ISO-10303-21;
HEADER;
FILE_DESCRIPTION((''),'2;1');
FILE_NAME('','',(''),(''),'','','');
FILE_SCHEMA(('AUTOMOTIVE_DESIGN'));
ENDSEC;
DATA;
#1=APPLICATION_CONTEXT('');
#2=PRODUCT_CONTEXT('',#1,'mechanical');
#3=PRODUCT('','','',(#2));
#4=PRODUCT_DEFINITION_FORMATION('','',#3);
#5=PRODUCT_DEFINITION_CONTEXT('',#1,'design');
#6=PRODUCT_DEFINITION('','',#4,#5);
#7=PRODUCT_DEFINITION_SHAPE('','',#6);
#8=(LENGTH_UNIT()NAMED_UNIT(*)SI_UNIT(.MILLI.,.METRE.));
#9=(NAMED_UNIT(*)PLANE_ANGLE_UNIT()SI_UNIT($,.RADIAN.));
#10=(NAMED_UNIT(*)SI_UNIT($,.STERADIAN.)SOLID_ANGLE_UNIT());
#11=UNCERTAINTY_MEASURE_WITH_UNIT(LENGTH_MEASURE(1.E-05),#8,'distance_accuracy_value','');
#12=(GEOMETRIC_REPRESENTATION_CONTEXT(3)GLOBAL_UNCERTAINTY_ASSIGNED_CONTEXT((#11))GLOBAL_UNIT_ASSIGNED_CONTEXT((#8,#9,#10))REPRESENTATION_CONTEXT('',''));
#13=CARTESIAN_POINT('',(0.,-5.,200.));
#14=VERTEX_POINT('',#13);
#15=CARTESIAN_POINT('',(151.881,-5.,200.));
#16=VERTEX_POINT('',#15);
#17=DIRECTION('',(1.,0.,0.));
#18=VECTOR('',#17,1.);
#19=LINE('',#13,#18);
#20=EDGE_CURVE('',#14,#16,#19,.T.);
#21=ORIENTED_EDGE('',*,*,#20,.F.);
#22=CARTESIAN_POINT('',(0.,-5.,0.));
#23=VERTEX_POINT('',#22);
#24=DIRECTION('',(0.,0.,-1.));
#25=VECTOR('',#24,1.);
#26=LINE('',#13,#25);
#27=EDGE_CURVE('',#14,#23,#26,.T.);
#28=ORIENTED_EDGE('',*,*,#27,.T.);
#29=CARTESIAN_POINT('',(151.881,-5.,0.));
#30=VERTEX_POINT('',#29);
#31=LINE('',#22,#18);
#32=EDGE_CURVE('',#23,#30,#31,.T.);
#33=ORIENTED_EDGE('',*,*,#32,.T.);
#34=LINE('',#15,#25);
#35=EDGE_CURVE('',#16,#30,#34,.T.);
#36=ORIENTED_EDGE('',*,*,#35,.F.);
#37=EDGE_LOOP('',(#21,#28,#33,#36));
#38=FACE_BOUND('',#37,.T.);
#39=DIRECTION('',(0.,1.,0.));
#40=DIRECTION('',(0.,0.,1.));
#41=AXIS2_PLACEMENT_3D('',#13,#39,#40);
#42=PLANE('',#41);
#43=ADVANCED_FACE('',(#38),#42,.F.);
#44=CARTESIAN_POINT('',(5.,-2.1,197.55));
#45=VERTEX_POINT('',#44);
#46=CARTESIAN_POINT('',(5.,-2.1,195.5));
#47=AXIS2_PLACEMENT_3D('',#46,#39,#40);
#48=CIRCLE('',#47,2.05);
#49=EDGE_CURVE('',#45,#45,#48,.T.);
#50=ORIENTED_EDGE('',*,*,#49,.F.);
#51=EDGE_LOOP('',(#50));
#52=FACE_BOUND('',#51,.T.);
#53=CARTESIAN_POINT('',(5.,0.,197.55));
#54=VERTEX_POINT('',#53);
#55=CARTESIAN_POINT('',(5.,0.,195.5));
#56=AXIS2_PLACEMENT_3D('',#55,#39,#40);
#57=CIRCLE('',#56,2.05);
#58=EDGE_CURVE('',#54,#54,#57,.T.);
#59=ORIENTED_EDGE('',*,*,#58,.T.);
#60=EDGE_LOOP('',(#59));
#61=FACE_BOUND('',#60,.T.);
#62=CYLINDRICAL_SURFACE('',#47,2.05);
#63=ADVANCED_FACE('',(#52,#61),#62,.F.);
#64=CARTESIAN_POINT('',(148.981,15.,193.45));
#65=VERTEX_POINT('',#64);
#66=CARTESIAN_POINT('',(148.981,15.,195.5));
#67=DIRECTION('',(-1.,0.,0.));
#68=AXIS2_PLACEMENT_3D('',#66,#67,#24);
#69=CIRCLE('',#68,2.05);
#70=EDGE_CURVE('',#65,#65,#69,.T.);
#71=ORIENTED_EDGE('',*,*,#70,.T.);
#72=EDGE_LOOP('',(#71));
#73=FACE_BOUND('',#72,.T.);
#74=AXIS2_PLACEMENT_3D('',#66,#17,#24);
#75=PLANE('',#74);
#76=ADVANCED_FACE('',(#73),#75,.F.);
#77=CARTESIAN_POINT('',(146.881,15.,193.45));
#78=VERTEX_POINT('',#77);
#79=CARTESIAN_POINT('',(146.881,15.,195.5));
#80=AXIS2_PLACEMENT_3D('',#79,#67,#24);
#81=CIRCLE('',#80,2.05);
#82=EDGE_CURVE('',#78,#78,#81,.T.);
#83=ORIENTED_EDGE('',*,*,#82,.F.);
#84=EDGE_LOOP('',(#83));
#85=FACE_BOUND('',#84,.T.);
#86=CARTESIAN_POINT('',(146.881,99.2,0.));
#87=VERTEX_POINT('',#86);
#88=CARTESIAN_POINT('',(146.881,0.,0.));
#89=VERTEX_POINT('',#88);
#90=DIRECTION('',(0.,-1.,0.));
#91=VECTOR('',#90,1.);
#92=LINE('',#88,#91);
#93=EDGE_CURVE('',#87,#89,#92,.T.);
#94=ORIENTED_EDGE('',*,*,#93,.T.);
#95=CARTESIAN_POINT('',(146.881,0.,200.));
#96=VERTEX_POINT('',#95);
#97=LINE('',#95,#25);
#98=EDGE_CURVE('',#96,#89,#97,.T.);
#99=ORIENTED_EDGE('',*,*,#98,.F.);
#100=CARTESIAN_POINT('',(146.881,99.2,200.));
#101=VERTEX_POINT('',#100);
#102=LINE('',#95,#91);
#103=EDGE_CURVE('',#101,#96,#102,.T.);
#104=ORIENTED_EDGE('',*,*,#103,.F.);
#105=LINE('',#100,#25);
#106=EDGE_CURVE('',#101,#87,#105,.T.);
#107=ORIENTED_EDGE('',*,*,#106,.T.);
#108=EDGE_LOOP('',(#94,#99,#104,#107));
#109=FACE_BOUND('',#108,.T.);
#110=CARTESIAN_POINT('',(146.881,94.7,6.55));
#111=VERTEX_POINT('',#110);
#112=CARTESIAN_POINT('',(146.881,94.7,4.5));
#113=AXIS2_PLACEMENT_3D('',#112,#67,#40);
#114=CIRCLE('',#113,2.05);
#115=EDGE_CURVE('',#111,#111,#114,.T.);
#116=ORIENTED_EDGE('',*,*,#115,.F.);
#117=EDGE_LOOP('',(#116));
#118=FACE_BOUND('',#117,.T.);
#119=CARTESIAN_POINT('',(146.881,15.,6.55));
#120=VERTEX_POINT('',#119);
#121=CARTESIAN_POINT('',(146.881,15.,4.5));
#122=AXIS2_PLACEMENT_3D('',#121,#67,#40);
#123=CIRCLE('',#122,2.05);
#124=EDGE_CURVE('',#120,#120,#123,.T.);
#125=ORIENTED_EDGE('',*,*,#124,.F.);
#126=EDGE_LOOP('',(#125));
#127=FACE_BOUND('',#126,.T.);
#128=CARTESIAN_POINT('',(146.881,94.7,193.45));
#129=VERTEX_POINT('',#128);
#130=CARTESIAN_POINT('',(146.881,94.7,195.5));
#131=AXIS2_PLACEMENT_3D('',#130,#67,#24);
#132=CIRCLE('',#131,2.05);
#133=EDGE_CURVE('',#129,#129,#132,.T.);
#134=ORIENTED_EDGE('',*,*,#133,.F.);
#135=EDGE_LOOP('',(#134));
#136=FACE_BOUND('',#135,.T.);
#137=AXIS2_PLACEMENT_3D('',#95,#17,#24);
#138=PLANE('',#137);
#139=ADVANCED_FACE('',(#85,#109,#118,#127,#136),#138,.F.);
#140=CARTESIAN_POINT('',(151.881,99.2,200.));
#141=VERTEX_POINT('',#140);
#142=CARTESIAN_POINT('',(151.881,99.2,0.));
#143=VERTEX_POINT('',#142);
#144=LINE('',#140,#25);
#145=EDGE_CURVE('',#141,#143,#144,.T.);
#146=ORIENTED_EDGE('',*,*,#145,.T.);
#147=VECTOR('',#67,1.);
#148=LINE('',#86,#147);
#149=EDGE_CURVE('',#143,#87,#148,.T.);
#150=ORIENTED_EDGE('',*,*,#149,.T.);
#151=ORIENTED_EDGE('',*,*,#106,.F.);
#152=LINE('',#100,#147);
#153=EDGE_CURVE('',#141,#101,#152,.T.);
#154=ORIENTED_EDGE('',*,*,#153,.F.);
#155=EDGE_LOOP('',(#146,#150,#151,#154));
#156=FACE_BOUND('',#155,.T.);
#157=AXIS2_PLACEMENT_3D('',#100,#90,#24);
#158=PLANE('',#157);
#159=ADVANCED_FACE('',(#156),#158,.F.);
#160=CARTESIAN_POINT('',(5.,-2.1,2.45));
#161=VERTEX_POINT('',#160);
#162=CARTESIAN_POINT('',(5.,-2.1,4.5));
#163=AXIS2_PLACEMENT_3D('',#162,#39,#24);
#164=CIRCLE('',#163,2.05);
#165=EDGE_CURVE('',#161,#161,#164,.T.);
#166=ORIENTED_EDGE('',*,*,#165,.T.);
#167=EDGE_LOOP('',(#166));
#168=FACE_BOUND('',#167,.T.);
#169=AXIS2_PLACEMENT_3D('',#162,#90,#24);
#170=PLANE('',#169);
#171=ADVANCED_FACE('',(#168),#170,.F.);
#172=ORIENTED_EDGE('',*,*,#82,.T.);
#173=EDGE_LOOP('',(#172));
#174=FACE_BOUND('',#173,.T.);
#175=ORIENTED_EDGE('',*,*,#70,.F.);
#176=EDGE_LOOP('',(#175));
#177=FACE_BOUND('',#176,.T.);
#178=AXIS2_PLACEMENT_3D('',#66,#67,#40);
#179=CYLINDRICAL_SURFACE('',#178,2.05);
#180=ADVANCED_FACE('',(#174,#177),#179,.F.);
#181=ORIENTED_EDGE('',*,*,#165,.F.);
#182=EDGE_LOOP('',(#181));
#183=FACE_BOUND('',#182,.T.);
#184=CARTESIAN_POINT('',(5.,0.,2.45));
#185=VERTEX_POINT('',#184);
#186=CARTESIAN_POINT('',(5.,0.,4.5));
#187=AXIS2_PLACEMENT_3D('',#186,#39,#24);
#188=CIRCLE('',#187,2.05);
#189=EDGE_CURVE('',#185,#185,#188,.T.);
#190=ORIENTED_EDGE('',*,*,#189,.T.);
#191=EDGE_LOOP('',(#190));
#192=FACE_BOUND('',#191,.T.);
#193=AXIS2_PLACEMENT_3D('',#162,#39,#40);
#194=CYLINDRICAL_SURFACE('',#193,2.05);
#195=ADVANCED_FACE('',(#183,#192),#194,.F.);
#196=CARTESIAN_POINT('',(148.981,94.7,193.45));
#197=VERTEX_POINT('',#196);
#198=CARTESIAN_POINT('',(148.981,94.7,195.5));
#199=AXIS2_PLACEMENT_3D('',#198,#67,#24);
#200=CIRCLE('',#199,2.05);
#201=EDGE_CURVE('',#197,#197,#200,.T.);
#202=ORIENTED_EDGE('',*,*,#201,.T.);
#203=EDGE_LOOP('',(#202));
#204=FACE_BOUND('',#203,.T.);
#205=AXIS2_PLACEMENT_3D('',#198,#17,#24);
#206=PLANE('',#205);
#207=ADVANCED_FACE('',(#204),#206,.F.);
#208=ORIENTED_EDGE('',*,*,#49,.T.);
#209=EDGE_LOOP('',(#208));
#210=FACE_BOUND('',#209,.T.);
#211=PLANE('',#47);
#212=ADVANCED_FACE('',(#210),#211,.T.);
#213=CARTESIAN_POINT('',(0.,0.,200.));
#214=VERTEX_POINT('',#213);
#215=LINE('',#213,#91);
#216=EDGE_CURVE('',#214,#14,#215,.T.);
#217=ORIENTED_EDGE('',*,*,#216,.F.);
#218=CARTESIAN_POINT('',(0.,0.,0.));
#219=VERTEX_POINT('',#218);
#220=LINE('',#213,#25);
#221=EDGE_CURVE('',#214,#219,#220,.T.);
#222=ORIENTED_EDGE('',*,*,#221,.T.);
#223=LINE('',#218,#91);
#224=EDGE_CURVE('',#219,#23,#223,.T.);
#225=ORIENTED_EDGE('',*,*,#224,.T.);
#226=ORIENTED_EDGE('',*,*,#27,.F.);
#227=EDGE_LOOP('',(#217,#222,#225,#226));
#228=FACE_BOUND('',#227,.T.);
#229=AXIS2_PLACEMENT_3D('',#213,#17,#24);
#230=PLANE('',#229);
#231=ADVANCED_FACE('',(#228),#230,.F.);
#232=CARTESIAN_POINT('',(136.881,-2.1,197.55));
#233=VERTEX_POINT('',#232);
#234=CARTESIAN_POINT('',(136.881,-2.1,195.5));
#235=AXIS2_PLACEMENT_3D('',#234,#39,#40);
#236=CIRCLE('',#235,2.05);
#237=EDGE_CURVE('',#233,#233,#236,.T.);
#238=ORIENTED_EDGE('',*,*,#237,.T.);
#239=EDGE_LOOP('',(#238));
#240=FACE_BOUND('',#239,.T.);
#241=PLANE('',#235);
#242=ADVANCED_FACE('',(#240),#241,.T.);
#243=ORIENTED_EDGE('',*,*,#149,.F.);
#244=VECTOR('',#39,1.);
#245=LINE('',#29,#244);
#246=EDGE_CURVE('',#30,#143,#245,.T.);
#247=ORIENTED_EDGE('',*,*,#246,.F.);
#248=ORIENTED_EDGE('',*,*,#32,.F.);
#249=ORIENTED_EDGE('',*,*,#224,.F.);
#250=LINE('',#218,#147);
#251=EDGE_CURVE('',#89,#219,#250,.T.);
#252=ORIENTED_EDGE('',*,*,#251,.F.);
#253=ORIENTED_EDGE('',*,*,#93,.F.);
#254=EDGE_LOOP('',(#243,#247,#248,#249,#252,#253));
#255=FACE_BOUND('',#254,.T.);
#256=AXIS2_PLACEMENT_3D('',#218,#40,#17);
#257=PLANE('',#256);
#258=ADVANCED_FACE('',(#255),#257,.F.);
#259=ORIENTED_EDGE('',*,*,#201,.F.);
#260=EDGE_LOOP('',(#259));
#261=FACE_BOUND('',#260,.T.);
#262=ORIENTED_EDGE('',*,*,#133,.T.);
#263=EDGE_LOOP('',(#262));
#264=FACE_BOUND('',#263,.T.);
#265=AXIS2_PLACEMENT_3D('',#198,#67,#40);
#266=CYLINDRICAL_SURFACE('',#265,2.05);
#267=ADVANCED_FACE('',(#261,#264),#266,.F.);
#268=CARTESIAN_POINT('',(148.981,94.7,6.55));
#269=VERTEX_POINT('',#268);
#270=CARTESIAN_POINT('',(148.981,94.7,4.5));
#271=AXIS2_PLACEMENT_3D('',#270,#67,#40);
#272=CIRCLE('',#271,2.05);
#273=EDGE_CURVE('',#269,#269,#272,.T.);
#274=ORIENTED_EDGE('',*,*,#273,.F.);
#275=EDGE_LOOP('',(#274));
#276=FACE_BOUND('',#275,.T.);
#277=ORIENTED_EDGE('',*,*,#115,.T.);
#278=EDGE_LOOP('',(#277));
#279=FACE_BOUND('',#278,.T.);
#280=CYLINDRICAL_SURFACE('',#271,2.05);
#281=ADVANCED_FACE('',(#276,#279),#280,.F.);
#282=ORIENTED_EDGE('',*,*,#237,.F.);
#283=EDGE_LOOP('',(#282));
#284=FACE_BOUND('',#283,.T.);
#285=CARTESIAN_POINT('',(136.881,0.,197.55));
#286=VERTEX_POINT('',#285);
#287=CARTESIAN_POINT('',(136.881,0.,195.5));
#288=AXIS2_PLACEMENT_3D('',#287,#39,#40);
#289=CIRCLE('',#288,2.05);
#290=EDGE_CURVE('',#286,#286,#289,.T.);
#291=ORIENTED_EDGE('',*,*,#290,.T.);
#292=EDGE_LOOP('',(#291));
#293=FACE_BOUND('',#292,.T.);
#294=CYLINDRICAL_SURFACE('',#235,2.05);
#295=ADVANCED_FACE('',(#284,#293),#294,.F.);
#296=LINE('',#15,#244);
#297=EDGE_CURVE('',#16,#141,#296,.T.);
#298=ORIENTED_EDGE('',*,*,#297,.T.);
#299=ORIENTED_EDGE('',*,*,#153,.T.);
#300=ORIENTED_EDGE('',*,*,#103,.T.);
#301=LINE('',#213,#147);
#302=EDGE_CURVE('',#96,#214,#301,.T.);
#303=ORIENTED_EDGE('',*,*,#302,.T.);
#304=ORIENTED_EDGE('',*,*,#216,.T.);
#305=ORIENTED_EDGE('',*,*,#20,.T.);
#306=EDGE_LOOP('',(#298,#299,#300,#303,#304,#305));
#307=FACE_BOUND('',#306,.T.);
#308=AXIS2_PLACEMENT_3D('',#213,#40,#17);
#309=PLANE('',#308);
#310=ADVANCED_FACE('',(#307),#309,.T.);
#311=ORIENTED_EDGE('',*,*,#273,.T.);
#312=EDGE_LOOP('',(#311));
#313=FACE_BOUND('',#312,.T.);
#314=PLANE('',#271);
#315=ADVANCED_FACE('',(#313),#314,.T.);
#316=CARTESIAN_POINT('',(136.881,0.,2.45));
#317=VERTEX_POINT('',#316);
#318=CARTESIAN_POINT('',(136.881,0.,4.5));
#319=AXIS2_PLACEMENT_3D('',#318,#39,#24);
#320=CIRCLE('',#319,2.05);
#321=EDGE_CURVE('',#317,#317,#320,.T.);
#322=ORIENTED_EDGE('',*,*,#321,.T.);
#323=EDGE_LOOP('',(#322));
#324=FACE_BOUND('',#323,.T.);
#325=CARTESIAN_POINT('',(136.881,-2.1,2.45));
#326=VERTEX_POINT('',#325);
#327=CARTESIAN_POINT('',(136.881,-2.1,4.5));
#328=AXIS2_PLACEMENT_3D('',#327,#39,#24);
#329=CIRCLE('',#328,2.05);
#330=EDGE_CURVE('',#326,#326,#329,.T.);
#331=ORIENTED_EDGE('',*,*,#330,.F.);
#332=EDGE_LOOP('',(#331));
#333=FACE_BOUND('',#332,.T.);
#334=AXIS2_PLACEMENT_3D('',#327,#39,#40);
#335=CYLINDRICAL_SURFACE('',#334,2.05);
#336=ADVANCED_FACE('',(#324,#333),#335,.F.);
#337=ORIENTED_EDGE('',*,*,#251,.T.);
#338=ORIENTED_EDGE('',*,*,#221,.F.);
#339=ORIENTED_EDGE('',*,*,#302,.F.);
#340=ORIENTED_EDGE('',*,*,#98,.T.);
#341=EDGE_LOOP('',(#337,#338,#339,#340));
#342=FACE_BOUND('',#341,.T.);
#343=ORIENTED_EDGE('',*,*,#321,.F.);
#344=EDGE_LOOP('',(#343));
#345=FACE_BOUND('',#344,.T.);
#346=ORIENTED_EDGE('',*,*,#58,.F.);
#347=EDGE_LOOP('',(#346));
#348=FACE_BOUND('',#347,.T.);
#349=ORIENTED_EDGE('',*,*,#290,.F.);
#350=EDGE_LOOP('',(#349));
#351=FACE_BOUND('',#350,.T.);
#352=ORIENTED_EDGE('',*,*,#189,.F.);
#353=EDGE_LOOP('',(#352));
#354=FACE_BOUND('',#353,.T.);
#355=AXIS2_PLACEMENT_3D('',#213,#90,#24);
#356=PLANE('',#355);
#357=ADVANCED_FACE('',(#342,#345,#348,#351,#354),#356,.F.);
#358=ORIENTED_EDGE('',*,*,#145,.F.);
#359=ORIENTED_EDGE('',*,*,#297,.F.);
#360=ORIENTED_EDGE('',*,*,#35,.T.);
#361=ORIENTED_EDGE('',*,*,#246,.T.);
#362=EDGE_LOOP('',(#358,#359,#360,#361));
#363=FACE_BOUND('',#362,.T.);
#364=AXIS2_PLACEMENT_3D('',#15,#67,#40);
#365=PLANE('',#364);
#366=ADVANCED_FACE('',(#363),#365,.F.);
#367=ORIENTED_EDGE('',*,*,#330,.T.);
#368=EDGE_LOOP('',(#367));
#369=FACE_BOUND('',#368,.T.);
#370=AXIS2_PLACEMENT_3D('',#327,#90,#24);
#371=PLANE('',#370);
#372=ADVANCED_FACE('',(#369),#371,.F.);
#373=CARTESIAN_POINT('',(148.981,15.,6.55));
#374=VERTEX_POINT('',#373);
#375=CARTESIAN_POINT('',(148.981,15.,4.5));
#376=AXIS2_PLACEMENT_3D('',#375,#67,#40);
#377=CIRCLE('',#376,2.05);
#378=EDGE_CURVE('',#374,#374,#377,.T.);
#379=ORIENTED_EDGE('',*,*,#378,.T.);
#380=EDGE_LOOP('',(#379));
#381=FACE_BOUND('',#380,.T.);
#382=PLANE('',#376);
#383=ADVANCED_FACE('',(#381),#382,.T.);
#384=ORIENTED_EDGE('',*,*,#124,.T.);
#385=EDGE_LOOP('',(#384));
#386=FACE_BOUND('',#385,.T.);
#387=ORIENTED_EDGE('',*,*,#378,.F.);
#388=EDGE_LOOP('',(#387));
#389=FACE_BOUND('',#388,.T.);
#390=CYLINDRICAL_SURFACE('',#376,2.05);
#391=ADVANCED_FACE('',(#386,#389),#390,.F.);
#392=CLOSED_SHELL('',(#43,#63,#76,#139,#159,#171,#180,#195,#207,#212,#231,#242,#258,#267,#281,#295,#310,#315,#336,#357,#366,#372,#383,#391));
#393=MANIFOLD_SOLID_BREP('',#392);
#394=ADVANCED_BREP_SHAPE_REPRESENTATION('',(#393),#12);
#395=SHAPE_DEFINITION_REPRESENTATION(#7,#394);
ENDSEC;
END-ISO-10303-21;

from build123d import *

# Parameters (mm, degrees)
SALIENTE_EXTRUIR1_DEPTH = 200
CROQUIS3_R              = 2.05
CORTAR_EXTRUIR1_DEPTH   = 2.1
CROQUIS4_R              = 2.05
CORTAR_EXTRUIR2_DEPTH   = 2.1


with BuildPart() as part:
    # Croquis2 → Saliente-Extruir1 (new body)
    with BuildSketch(Plane.XY):
        Polygon((0, 0), (146.881, 0), (146.881, 99.2), (151.881, 99.2), (151.881, -5), (0, -5), align=None)
    extrude(amount=SALIENTE_EXTRUIR1_DEPTH)

    # Croquis3 → Cortar-Extruir1 (cut)
    with BuildSketch(Plane(origin=(0, 0, 0), x_dir=(1, 0, 0), z_dir=(0, 1, 0))):
        with Locations(Location((5, -195.5, 0), (0, 0, 270))):
            Circle(CROQUIS3_R)
        with Locations(Location((136.881, -195.5, 0), (0, 0, 270))):
            Circle(CROQUIS3_R)
        with Locations(Location((136.881, -4.5, 0), (0, 0, 90))):
            Circle(CROQUIS3_R)
        with Locations(Location((5, -4.5, 0), (0, 0, 90))):
            Circle(CROQUIS3_R)
    extrude(amount=-CORTAR_EXTRUIR1_DEPTH, mode=Mode.SUBTRACT)

    # Croquis4 → Cortar-Extruir2 (cut)
    with BuildSketch(Plane.ZY.offset(-146.881)):
        with Locations((4.5, 15)):
            Circle(CROQUIS4_R)
        with Locations((4.5, 94.7)):
            Circle(CROQUIS4_R)
        with Locations(Location((195.5, 15, 0), (0, 0, 180))):
            Circle(CROQUIS4_R)
        with Locations(Location((195.5, 94.7, 0), (0, 0, 180))):
            Circle(CROQUIS4_R)
    extrude(amount=-CORTAR_EXTRUIR2_DEPTH, mode=Mode.SUBTRACT)


solid = part.part
